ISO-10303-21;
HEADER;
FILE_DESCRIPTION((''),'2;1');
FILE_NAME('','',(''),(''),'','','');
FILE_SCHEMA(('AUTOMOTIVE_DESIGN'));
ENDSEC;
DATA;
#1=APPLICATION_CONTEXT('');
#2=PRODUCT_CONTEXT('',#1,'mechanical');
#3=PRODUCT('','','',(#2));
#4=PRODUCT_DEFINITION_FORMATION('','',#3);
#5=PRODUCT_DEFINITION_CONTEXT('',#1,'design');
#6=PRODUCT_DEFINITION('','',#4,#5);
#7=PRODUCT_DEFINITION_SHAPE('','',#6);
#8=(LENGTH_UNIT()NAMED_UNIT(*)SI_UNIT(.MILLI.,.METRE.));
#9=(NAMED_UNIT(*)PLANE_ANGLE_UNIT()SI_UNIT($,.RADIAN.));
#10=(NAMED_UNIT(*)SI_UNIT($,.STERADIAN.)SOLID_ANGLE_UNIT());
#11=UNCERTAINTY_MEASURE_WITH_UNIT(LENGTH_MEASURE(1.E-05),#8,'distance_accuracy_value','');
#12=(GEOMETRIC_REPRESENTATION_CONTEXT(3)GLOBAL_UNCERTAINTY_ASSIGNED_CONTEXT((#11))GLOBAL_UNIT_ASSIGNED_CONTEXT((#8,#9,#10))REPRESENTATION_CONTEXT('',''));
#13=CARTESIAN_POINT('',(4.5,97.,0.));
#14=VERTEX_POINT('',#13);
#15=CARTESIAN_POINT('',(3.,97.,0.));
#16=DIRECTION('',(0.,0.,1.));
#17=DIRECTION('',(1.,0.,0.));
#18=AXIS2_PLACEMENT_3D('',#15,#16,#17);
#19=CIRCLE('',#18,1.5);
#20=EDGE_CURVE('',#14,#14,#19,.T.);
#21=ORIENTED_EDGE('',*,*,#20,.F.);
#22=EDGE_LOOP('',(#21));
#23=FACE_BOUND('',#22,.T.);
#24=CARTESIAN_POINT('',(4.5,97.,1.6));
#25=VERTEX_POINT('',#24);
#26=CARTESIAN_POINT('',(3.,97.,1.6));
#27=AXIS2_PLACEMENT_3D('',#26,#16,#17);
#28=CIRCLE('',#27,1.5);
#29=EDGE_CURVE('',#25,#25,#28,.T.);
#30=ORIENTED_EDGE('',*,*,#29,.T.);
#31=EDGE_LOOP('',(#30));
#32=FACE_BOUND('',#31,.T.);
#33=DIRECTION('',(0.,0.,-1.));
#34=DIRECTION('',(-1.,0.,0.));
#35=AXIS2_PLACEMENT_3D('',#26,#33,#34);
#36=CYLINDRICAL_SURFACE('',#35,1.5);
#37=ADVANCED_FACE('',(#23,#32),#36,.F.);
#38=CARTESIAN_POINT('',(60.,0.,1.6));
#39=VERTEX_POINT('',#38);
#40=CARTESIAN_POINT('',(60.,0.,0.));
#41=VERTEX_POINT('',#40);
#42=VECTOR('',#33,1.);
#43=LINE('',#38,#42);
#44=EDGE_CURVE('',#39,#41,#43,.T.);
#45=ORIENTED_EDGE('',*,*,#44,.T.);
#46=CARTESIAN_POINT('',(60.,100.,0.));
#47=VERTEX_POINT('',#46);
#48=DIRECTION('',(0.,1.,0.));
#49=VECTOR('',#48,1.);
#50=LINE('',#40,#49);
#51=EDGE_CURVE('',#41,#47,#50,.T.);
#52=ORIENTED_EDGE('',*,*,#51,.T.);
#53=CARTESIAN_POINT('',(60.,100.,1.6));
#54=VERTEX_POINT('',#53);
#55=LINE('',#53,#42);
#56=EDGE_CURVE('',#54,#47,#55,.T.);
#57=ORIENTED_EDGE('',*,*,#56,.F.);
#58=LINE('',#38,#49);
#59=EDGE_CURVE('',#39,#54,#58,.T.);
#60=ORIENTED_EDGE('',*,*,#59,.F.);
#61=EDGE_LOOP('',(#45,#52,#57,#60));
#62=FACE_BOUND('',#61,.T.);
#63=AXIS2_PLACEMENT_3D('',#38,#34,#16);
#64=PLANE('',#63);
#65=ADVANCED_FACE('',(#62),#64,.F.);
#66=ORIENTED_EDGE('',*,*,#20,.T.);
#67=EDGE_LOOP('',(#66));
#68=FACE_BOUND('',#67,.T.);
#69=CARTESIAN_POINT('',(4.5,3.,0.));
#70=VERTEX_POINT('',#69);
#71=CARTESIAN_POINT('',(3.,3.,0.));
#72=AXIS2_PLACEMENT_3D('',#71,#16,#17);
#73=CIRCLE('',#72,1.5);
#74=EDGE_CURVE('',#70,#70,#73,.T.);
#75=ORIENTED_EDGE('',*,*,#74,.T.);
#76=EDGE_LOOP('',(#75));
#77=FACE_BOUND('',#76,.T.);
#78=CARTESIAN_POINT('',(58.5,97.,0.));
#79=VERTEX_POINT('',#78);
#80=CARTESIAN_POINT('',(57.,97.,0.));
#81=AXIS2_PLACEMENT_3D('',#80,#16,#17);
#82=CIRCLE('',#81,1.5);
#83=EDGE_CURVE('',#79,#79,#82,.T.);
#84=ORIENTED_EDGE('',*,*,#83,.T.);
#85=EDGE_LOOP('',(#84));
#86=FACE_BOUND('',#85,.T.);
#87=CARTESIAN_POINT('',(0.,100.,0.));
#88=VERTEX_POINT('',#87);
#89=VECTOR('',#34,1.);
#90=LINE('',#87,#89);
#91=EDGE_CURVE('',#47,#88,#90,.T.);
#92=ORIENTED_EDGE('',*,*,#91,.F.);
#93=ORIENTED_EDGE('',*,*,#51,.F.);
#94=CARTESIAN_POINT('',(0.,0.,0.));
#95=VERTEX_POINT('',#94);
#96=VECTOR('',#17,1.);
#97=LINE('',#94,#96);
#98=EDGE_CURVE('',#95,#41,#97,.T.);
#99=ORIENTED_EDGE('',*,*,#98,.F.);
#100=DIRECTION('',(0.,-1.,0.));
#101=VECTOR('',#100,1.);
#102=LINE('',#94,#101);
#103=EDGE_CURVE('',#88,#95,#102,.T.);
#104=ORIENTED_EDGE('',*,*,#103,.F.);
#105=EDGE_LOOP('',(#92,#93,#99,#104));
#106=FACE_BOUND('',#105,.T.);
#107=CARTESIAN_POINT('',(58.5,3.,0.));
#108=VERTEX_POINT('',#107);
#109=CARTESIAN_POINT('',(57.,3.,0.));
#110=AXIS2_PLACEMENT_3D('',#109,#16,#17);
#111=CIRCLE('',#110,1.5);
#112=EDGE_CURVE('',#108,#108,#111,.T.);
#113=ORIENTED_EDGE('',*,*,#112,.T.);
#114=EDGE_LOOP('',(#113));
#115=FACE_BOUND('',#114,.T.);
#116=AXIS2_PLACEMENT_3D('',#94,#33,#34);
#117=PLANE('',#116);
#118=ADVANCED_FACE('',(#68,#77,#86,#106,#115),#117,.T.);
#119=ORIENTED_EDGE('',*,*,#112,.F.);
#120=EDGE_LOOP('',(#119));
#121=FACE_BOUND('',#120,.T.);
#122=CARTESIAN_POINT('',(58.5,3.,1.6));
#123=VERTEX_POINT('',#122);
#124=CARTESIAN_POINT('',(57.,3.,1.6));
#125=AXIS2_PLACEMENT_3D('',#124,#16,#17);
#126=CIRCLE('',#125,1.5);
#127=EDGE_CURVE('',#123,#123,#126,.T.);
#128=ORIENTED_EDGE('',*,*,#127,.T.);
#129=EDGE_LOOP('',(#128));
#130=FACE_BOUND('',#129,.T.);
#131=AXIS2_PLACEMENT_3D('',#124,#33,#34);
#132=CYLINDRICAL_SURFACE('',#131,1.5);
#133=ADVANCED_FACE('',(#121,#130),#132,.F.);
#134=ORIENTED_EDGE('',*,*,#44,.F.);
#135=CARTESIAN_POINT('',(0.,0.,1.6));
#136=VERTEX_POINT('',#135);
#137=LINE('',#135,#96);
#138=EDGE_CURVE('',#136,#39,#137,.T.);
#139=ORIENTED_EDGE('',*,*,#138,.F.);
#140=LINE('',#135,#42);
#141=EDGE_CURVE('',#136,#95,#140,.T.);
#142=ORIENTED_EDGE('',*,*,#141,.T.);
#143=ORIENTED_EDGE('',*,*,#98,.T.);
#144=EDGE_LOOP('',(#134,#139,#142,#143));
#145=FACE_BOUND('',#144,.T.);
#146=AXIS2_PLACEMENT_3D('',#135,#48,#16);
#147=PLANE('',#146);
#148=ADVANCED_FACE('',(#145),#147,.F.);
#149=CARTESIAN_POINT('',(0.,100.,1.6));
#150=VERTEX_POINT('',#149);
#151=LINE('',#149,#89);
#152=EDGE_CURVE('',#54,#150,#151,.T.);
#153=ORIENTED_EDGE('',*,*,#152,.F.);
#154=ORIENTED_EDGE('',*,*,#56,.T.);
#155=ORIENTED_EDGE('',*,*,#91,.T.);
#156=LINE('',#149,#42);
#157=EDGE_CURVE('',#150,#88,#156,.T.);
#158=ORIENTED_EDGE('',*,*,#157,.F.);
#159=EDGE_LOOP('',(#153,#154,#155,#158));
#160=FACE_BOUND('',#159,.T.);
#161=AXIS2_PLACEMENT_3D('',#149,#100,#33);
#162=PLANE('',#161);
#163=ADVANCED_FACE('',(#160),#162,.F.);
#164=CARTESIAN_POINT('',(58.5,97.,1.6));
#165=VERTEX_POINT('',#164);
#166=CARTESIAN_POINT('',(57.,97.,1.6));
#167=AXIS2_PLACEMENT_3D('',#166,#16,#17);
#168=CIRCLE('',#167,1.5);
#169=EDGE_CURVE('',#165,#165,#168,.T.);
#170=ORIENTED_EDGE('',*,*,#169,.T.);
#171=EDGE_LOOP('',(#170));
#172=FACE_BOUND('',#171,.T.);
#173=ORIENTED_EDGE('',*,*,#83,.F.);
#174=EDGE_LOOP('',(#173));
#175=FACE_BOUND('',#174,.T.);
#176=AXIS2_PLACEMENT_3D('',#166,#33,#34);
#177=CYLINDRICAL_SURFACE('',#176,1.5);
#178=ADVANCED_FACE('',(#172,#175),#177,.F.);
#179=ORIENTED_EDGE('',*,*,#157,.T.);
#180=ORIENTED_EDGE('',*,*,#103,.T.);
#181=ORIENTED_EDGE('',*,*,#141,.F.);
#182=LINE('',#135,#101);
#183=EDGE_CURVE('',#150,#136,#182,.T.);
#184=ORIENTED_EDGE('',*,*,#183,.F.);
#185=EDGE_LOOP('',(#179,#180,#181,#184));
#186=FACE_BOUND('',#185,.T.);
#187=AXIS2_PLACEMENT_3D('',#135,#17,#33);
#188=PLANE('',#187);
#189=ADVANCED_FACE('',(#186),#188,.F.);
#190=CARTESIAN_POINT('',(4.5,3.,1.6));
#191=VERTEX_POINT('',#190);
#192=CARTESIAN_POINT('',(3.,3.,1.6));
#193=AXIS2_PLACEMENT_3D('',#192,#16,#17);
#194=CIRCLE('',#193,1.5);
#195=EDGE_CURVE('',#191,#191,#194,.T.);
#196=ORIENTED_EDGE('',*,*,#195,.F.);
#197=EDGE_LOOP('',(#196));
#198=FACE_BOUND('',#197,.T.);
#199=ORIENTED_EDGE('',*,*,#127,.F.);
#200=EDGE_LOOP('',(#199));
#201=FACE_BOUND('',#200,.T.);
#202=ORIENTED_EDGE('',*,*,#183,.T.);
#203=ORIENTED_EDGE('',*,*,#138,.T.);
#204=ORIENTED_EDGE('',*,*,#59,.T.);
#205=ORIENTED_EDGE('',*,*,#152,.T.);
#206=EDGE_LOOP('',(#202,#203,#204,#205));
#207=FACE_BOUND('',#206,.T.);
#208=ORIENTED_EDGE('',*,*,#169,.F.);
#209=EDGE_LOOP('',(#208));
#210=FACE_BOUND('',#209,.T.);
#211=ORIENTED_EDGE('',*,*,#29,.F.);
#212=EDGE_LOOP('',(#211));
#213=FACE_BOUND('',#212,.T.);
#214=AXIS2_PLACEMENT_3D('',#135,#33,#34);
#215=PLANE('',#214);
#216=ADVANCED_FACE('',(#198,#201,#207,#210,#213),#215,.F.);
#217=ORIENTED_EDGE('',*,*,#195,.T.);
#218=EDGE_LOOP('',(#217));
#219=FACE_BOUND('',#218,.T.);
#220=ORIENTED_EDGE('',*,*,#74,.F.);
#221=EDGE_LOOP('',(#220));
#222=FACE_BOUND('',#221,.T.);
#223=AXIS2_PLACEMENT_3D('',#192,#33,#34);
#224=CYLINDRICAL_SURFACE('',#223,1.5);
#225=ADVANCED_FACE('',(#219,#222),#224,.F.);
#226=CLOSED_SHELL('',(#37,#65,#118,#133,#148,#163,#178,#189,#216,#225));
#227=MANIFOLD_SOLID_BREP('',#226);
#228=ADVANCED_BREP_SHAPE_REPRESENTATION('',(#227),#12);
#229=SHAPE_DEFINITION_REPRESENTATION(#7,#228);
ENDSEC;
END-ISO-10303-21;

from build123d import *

# Parameters (mm, degrees)
SKETCH_1_W      = 60
SKETCH_1_H      = 100
SKETCH_1_R      = 1.5
EXTRUDE_1_DEPTH = 1.6


with BuildPart() as part:
    # 草图1 → 凸台-拉伸1 (new body)
    with BuildSketch(Plane.XY):
        with Locations((30, 50)):
            Rectangle(SKETCH_1_W, SKETCH_1_H)
        with Locations((3, 3)):
            Circle(SKETCH_1_R, mode=Mode.SUBTRACT)
        with Locations((57, 3)):
            Circle(SKETCH_1_R, mode=Mode.SUBTRACT)
        with Locations((57, 97)):
            Circle(SKETCH_1_R, mode=Mode.SUBTRACT)
        with Locations((3, 97)):
            Circle(SKETCH_1_R, mode=Mode.SUBTRACT)
    extrude(amount=EXTRUDE_1_DEPTH)


solid = part.part
